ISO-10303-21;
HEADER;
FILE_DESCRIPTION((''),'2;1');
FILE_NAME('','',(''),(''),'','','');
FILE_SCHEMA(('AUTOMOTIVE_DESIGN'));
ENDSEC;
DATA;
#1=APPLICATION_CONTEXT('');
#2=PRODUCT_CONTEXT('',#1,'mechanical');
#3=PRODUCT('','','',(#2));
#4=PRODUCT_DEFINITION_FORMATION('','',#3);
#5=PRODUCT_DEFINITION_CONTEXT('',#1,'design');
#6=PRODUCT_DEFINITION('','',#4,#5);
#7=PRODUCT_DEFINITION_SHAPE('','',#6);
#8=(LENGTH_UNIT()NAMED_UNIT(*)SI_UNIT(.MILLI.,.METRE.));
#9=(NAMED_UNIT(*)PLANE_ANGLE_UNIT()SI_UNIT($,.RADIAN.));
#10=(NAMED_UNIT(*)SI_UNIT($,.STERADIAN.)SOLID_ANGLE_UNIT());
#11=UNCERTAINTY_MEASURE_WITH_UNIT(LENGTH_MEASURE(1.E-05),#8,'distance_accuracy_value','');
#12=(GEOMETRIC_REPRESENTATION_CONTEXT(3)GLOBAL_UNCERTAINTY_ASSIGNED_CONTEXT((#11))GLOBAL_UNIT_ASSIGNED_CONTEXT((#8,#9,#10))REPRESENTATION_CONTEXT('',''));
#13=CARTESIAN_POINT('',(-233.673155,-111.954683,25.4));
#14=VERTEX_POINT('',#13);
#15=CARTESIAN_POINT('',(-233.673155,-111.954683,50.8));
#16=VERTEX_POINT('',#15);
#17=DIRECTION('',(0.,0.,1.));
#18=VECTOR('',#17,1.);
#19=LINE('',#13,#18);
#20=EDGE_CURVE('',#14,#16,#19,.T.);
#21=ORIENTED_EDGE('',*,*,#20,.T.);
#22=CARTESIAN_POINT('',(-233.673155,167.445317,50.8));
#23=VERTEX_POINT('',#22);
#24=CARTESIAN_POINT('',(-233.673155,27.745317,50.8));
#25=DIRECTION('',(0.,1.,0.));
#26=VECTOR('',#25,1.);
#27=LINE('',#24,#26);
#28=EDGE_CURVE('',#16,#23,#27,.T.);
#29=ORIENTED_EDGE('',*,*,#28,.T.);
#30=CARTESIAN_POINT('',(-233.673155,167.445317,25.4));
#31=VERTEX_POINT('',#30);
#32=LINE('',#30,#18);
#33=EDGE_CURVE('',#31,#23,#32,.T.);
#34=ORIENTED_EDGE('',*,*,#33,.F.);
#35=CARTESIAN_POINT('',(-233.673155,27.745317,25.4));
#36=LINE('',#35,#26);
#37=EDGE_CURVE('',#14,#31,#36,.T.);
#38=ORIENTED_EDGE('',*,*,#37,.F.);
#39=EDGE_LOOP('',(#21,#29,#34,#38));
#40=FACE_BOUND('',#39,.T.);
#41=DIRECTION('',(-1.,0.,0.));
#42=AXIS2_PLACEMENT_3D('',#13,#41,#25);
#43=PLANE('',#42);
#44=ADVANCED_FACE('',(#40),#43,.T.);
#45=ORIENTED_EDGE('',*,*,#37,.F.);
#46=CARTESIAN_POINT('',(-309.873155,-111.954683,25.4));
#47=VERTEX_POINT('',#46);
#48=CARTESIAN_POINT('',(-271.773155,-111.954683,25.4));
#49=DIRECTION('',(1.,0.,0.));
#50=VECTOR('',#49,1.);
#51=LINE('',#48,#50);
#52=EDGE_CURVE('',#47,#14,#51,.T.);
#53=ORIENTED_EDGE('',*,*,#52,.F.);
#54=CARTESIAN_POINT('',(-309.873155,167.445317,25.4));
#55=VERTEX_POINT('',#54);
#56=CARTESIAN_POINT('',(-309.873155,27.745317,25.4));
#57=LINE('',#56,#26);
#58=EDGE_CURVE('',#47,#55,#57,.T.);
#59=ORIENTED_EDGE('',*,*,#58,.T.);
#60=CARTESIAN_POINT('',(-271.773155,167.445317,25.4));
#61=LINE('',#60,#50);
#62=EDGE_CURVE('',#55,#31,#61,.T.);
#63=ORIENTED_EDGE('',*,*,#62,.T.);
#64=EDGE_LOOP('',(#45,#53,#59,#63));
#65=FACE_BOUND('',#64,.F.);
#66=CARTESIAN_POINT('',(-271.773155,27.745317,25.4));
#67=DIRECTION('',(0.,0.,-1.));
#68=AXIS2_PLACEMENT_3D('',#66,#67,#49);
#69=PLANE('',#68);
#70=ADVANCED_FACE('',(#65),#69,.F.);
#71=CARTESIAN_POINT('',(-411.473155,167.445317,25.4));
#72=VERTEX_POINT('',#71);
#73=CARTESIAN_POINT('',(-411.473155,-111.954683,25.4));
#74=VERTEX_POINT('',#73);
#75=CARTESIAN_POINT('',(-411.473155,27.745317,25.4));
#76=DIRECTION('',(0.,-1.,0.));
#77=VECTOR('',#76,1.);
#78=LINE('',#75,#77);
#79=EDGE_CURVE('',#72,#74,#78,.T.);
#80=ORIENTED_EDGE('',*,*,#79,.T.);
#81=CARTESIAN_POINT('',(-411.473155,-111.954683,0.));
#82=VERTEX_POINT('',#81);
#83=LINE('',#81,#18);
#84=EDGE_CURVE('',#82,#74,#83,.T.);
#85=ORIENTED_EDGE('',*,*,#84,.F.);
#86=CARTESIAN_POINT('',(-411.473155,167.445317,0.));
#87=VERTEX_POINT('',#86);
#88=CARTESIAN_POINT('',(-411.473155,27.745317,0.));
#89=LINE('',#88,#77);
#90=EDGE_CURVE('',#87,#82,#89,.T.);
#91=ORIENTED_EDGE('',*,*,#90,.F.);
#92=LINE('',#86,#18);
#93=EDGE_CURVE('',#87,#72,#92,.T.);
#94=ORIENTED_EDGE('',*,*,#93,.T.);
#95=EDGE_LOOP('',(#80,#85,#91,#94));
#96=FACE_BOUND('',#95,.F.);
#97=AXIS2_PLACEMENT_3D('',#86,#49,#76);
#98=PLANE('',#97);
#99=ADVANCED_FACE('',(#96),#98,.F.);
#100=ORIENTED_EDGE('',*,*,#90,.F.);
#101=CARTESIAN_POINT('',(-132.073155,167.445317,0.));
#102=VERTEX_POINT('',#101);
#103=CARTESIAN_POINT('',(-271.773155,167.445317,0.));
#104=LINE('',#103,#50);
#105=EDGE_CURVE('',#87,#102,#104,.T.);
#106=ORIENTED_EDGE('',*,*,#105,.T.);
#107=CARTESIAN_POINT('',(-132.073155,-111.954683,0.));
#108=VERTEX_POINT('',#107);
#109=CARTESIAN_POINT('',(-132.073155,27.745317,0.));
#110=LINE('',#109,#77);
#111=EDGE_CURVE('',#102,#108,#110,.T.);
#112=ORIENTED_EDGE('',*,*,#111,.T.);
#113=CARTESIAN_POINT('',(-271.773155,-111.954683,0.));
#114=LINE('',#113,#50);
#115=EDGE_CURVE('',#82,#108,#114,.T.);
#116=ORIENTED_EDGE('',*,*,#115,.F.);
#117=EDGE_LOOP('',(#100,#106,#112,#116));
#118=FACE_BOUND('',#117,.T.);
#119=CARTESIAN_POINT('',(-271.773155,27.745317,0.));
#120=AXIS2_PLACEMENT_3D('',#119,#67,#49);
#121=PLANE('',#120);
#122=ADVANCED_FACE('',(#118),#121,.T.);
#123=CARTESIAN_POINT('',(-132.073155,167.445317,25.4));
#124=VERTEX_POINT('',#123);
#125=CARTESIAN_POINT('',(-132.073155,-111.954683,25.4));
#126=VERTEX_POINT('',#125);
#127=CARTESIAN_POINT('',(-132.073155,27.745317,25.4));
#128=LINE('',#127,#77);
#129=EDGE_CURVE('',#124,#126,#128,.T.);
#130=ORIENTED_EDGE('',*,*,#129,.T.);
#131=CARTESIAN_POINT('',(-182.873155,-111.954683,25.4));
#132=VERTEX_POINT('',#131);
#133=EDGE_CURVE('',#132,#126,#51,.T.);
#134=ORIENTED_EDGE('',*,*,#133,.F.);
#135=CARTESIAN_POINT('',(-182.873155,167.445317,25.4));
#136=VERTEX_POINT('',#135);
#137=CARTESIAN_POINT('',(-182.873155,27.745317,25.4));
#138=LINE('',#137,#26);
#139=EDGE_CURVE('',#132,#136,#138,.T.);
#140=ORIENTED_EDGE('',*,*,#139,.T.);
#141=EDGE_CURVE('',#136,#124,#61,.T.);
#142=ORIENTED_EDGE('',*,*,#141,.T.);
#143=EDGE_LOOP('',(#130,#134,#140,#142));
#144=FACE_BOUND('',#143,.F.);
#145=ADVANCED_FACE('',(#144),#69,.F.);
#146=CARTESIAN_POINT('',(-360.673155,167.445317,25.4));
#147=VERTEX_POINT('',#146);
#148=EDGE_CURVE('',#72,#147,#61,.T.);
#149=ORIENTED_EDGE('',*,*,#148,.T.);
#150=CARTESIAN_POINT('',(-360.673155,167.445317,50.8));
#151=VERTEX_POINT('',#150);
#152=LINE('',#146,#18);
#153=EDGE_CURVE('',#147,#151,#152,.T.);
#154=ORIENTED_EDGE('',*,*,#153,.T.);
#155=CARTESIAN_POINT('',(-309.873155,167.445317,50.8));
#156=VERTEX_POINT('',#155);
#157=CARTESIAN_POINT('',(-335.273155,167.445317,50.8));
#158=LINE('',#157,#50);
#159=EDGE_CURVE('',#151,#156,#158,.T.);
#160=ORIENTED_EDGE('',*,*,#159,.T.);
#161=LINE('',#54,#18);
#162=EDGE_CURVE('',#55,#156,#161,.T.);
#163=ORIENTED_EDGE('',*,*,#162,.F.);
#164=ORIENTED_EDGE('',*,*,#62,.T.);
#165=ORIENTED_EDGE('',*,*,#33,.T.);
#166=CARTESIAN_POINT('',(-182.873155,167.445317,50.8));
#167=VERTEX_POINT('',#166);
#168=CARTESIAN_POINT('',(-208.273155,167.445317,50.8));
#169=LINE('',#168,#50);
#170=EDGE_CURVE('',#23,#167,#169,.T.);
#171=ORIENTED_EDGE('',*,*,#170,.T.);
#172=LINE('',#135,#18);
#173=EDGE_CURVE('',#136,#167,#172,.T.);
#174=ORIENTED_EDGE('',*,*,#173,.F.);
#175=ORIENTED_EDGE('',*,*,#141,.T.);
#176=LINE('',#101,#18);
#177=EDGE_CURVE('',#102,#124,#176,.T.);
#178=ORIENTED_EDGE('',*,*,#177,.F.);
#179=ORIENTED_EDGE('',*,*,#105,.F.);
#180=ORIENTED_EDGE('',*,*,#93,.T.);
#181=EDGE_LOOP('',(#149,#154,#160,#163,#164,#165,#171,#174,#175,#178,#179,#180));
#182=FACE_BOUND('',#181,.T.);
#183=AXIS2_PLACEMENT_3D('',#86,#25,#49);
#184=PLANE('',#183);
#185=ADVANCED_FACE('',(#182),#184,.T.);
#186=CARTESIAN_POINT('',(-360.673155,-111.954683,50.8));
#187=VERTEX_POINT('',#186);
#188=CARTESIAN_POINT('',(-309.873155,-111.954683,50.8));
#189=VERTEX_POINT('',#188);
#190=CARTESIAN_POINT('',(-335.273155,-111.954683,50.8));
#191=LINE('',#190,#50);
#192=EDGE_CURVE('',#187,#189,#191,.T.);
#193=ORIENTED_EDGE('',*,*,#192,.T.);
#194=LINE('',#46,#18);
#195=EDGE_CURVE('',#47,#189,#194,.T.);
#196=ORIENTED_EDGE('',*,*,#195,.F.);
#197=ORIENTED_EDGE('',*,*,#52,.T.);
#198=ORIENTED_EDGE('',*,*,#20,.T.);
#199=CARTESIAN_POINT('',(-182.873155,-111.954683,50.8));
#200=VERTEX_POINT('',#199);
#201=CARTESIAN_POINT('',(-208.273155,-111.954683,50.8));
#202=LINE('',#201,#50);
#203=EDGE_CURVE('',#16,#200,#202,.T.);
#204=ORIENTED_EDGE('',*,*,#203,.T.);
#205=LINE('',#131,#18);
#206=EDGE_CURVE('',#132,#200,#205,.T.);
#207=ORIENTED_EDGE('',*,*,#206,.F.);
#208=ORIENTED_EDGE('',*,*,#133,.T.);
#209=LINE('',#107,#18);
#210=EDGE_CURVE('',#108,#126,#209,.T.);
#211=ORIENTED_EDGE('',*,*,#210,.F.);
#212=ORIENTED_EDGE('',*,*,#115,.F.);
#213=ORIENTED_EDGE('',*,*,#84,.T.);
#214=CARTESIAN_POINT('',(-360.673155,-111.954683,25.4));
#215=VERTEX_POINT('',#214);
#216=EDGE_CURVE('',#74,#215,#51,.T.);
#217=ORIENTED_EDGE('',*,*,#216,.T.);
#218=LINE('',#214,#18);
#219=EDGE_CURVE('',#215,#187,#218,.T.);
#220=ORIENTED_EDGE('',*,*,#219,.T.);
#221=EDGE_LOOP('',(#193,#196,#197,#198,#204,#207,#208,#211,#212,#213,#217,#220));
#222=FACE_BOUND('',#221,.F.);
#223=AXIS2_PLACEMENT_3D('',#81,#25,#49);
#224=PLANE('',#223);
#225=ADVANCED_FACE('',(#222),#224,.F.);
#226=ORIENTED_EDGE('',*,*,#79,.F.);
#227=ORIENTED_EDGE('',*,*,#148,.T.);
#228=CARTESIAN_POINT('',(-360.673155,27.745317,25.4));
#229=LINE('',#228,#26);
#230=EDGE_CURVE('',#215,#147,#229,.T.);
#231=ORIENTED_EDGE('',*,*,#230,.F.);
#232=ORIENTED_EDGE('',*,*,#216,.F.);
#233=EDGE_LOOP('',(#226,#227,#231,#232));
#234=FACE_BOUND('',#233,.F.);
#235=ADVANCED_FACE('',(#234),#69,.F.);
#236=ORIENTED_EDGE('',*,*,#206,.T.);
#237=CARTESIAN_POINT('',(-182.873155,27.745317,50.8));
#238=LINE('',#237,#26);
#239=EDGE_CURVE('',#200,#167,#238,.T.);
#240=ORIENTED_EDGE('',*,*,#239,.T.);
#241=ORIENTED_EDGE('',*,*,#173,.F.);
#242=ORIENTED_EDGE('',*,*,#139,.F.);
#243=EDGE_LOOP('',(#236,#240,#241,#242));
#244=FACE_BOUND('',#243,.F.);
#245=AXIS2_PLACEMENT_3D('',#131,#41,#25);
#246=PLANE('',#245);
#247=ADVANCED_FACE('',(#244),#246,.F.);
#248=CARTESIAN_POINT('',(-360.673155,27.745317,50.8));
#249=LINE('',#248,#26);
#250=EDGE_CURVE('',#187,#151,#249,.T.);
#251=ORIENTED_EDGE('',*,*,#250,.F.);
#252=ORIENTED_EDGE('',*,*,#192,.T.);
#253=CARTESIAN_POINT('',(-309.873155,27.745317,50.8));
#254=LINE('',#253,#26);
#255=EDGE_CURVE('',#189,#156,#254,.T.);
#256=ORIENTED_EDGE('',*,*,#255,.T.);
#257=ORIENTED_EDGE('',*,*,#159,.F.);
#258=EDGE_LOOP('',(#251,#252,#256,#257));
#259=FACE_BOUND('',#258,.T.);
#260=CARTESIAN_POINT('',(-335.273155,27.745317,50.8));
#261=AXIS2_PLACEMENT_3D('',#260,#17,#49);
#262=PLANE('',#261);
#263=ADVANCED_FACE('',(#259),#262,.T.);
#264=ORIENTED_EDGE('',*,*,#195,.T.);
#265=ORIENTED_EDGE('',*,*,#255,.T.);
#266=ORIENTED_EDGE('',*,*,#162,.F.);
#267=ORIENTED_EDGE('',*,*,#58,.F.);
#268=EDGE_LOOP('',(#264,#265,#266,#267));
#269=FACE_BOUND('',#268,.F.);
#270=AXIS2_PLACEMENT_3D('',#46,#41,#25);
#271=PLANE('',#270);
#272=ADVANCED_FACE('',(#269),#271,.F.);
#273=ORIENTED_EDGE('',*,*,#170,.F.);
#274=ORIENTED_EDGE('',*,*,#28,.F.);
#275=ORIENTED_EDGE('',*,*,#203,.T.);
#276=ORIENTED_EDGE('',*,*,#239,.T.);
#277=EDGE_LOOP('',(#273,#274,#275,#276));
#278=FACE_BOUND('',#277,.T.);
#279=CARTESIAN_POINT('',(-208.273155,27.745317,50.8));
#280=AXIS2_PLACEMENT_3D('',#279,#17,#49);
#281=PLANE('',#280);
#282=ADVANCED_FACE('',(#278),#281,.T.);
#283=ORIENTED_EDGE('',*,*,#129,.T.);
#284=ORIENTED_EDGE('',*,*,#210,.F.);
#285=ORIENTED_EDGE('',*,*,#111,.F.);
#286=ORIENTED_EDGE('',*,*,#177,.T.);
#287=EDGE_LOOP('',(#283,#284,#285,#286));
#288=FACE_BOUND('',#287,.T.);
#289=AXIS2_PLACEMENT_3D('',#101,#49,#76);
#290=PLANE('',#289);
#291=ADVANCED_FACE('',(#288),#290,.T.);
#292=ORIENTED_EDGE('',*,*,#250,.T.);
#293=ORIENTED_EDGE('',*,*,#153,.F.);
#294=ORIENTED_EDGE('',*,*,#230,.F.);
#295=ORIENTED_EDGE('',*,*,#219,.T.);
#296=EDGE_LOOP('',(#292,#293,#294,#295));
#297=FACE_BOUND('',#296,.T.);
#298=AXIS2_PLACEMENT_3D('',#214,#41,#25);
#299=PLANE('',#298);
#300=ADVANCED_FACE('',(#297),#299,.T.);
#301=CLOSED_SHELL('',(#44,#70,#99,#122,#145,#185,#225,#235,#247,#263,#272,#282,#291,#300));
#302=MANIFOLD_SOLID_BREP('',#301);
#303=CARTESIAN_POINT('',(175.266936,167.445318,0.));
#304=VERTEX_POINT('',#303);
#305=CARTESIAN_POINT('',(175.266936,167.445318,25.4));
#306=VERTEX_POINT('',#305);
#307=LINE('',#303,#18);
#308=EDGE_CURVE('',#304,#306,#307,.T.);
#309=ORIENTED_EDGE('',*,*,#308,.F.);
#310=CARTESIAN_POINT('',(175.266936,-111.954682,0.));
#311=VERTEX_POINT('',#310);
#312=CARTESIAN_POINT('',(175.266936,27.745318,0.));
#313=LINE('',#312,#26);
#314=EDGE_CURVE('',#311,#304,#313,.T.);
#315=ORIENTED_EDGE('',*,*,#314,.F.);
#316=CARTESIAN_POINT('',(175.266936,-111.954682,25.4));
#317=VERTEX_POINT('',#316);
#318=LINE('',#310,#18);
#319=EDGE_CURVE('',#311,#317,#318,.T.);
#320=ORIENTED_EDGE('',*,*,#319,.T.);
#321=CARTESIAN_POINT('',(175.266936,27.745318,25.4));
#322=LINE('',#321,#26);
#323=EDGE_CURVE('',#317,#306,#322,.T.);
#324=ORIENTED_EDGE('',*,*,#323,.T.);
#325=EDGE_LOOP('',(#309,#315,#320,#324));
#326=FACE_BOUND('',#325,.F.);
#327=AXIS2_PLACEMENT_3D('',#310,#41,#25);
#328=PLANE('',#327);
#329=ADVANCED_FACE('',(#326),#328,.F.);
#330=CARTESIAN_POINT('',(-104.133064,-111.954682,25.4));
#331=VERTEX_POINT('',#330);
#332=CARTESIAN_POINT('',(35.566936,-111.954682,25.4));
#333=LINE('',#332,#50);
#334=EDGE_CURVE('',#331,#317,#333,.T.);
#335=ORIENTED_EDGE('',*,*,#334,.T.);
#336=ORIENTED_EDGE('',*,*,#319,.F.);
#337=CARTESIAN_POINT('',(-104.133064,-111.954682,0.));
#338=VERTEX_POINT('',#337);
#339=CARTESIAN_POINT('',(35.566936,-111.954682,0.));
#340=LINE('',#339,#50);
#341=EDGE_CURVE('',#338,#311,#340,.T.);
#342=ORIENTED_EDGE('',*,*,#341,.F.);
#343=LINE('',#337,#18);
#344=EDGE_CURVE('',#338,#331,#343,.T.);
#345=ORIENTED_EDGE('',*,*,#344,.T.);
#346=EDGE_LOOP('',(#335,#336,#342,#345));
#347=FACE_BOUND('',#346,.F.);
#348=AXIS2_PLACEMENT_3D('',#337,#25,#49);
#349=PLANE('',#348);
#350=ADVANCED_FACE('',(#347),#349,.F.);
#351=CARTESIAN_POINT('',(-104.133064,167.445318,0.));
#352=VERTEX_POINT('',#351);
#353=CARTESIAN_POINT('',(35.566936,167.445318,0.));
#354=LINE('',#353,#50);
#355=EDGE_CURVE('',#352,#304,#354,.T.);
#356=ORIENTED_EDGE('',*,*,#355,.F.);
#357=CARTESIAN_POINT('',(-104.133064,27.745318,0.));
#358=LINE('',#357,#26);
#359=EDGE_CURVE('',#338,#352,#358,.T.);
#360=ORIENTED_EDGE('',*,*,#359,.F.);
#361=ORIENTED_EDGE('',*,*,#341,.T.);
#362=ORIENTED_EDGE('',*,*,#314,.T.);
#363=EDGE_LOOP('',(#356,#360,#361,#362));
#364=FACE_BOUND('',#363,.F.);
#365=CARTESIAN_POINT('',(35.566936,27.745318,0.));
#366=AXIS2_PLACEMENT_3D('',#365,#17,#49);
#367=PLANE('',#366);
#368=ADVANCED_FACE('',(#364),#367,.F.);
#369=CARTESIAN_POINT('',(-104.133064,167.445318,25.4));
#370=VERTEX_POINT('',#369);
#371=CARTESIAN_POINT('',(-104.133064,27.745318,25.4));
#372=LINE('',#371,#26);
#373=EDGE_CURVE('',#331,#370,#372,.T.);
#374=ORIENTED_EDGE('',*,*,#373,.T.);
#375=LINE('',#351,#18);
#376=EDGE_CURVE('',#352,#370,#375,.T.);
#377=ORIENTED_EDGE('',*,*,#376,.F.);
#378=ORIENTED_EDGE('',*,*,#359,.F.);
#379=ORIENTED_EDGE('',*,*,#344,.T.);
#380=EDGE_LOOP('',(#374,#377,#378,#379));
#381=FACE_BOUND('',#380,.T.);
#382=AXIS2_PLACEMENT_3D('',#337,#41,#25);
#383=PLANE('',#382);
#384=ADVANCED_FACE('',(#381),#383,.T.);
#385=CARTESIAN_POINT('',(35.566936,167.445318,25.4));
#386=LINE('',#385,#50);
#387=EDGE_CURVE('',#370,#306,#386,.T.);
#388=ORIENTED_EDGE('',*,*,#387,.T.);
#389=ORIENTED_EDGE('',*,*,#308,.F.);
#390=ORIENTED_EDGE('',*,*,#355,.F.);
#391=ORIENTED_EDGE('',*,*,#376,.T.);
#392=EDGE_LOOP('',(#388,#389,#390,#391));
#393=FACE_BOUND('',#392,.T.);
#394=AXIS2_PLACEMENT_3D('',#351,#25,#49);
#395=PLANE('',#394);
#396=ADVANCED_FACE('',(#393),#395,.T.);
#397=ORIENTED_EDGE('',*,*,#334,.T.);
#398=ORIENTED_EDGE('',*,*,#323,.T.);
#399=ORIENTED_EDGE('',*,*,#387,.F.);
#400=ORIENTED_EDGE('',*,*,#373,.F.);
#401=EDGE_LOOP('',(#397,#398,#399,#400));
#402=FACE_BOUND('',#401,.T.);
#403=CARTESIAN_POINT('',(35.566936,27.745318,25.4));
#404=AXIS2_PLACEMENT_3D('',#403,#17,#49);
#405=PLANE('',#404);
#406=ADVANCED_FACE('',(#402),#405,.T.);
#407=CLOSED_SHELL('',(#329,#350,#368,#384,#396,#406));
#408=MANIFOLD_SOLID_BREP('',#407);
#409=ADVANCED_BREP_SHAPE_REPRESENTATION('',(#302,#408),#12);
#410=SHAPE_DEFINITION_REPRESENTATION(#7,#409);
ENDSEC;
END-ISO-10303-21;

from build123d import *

# Parameters (mm, degrees)
F0_W     = 279.4
F0_H     = 279.4
F1_DEPTH = 25.4
F2_W     = 279.4
F2_H     = 279.4
F3_DEPTH = 25.4
F4_W     = 50.8
F4_H     = 279.4
F5_DEPTH = 25.4


with BuildPart() as f1:
    # F0 (on Top) → F1 (new body)
    with BuildSketch(Plane.XY):
        with Locations((35.566936, 27.745318)):
            Rectangle(F0_W, F0_H)
    extrude(amount=F1_DEPTH)


with BuildPart() as f3:
    # F2 (on face) → F3 (new body)
    with BuildSketch(Plane(origin=(0, 0, 0), x_dir=(1, 0, 0), z_dir=(0, 0, -1))):
        with Locations((-271.773155, -27.745317)):
            Rectangle(F2_W, F2_H)
    extrude(amount=-F3_DEPTH)

    # F4 (on face) → F5 (join)
    with BuildSketch(Plane.XY.offset(25.4)):
        with Locations((-335.273155, 27.745317)):
            Rectangle(F4_W, F4_H)
        with Locations((-208.273155, 27.745317)):
            Rectangle(F4_W, F4_H)
    extrude(amount=F5_DEPTH)


solid = Compound([f1.part, f3.part])
